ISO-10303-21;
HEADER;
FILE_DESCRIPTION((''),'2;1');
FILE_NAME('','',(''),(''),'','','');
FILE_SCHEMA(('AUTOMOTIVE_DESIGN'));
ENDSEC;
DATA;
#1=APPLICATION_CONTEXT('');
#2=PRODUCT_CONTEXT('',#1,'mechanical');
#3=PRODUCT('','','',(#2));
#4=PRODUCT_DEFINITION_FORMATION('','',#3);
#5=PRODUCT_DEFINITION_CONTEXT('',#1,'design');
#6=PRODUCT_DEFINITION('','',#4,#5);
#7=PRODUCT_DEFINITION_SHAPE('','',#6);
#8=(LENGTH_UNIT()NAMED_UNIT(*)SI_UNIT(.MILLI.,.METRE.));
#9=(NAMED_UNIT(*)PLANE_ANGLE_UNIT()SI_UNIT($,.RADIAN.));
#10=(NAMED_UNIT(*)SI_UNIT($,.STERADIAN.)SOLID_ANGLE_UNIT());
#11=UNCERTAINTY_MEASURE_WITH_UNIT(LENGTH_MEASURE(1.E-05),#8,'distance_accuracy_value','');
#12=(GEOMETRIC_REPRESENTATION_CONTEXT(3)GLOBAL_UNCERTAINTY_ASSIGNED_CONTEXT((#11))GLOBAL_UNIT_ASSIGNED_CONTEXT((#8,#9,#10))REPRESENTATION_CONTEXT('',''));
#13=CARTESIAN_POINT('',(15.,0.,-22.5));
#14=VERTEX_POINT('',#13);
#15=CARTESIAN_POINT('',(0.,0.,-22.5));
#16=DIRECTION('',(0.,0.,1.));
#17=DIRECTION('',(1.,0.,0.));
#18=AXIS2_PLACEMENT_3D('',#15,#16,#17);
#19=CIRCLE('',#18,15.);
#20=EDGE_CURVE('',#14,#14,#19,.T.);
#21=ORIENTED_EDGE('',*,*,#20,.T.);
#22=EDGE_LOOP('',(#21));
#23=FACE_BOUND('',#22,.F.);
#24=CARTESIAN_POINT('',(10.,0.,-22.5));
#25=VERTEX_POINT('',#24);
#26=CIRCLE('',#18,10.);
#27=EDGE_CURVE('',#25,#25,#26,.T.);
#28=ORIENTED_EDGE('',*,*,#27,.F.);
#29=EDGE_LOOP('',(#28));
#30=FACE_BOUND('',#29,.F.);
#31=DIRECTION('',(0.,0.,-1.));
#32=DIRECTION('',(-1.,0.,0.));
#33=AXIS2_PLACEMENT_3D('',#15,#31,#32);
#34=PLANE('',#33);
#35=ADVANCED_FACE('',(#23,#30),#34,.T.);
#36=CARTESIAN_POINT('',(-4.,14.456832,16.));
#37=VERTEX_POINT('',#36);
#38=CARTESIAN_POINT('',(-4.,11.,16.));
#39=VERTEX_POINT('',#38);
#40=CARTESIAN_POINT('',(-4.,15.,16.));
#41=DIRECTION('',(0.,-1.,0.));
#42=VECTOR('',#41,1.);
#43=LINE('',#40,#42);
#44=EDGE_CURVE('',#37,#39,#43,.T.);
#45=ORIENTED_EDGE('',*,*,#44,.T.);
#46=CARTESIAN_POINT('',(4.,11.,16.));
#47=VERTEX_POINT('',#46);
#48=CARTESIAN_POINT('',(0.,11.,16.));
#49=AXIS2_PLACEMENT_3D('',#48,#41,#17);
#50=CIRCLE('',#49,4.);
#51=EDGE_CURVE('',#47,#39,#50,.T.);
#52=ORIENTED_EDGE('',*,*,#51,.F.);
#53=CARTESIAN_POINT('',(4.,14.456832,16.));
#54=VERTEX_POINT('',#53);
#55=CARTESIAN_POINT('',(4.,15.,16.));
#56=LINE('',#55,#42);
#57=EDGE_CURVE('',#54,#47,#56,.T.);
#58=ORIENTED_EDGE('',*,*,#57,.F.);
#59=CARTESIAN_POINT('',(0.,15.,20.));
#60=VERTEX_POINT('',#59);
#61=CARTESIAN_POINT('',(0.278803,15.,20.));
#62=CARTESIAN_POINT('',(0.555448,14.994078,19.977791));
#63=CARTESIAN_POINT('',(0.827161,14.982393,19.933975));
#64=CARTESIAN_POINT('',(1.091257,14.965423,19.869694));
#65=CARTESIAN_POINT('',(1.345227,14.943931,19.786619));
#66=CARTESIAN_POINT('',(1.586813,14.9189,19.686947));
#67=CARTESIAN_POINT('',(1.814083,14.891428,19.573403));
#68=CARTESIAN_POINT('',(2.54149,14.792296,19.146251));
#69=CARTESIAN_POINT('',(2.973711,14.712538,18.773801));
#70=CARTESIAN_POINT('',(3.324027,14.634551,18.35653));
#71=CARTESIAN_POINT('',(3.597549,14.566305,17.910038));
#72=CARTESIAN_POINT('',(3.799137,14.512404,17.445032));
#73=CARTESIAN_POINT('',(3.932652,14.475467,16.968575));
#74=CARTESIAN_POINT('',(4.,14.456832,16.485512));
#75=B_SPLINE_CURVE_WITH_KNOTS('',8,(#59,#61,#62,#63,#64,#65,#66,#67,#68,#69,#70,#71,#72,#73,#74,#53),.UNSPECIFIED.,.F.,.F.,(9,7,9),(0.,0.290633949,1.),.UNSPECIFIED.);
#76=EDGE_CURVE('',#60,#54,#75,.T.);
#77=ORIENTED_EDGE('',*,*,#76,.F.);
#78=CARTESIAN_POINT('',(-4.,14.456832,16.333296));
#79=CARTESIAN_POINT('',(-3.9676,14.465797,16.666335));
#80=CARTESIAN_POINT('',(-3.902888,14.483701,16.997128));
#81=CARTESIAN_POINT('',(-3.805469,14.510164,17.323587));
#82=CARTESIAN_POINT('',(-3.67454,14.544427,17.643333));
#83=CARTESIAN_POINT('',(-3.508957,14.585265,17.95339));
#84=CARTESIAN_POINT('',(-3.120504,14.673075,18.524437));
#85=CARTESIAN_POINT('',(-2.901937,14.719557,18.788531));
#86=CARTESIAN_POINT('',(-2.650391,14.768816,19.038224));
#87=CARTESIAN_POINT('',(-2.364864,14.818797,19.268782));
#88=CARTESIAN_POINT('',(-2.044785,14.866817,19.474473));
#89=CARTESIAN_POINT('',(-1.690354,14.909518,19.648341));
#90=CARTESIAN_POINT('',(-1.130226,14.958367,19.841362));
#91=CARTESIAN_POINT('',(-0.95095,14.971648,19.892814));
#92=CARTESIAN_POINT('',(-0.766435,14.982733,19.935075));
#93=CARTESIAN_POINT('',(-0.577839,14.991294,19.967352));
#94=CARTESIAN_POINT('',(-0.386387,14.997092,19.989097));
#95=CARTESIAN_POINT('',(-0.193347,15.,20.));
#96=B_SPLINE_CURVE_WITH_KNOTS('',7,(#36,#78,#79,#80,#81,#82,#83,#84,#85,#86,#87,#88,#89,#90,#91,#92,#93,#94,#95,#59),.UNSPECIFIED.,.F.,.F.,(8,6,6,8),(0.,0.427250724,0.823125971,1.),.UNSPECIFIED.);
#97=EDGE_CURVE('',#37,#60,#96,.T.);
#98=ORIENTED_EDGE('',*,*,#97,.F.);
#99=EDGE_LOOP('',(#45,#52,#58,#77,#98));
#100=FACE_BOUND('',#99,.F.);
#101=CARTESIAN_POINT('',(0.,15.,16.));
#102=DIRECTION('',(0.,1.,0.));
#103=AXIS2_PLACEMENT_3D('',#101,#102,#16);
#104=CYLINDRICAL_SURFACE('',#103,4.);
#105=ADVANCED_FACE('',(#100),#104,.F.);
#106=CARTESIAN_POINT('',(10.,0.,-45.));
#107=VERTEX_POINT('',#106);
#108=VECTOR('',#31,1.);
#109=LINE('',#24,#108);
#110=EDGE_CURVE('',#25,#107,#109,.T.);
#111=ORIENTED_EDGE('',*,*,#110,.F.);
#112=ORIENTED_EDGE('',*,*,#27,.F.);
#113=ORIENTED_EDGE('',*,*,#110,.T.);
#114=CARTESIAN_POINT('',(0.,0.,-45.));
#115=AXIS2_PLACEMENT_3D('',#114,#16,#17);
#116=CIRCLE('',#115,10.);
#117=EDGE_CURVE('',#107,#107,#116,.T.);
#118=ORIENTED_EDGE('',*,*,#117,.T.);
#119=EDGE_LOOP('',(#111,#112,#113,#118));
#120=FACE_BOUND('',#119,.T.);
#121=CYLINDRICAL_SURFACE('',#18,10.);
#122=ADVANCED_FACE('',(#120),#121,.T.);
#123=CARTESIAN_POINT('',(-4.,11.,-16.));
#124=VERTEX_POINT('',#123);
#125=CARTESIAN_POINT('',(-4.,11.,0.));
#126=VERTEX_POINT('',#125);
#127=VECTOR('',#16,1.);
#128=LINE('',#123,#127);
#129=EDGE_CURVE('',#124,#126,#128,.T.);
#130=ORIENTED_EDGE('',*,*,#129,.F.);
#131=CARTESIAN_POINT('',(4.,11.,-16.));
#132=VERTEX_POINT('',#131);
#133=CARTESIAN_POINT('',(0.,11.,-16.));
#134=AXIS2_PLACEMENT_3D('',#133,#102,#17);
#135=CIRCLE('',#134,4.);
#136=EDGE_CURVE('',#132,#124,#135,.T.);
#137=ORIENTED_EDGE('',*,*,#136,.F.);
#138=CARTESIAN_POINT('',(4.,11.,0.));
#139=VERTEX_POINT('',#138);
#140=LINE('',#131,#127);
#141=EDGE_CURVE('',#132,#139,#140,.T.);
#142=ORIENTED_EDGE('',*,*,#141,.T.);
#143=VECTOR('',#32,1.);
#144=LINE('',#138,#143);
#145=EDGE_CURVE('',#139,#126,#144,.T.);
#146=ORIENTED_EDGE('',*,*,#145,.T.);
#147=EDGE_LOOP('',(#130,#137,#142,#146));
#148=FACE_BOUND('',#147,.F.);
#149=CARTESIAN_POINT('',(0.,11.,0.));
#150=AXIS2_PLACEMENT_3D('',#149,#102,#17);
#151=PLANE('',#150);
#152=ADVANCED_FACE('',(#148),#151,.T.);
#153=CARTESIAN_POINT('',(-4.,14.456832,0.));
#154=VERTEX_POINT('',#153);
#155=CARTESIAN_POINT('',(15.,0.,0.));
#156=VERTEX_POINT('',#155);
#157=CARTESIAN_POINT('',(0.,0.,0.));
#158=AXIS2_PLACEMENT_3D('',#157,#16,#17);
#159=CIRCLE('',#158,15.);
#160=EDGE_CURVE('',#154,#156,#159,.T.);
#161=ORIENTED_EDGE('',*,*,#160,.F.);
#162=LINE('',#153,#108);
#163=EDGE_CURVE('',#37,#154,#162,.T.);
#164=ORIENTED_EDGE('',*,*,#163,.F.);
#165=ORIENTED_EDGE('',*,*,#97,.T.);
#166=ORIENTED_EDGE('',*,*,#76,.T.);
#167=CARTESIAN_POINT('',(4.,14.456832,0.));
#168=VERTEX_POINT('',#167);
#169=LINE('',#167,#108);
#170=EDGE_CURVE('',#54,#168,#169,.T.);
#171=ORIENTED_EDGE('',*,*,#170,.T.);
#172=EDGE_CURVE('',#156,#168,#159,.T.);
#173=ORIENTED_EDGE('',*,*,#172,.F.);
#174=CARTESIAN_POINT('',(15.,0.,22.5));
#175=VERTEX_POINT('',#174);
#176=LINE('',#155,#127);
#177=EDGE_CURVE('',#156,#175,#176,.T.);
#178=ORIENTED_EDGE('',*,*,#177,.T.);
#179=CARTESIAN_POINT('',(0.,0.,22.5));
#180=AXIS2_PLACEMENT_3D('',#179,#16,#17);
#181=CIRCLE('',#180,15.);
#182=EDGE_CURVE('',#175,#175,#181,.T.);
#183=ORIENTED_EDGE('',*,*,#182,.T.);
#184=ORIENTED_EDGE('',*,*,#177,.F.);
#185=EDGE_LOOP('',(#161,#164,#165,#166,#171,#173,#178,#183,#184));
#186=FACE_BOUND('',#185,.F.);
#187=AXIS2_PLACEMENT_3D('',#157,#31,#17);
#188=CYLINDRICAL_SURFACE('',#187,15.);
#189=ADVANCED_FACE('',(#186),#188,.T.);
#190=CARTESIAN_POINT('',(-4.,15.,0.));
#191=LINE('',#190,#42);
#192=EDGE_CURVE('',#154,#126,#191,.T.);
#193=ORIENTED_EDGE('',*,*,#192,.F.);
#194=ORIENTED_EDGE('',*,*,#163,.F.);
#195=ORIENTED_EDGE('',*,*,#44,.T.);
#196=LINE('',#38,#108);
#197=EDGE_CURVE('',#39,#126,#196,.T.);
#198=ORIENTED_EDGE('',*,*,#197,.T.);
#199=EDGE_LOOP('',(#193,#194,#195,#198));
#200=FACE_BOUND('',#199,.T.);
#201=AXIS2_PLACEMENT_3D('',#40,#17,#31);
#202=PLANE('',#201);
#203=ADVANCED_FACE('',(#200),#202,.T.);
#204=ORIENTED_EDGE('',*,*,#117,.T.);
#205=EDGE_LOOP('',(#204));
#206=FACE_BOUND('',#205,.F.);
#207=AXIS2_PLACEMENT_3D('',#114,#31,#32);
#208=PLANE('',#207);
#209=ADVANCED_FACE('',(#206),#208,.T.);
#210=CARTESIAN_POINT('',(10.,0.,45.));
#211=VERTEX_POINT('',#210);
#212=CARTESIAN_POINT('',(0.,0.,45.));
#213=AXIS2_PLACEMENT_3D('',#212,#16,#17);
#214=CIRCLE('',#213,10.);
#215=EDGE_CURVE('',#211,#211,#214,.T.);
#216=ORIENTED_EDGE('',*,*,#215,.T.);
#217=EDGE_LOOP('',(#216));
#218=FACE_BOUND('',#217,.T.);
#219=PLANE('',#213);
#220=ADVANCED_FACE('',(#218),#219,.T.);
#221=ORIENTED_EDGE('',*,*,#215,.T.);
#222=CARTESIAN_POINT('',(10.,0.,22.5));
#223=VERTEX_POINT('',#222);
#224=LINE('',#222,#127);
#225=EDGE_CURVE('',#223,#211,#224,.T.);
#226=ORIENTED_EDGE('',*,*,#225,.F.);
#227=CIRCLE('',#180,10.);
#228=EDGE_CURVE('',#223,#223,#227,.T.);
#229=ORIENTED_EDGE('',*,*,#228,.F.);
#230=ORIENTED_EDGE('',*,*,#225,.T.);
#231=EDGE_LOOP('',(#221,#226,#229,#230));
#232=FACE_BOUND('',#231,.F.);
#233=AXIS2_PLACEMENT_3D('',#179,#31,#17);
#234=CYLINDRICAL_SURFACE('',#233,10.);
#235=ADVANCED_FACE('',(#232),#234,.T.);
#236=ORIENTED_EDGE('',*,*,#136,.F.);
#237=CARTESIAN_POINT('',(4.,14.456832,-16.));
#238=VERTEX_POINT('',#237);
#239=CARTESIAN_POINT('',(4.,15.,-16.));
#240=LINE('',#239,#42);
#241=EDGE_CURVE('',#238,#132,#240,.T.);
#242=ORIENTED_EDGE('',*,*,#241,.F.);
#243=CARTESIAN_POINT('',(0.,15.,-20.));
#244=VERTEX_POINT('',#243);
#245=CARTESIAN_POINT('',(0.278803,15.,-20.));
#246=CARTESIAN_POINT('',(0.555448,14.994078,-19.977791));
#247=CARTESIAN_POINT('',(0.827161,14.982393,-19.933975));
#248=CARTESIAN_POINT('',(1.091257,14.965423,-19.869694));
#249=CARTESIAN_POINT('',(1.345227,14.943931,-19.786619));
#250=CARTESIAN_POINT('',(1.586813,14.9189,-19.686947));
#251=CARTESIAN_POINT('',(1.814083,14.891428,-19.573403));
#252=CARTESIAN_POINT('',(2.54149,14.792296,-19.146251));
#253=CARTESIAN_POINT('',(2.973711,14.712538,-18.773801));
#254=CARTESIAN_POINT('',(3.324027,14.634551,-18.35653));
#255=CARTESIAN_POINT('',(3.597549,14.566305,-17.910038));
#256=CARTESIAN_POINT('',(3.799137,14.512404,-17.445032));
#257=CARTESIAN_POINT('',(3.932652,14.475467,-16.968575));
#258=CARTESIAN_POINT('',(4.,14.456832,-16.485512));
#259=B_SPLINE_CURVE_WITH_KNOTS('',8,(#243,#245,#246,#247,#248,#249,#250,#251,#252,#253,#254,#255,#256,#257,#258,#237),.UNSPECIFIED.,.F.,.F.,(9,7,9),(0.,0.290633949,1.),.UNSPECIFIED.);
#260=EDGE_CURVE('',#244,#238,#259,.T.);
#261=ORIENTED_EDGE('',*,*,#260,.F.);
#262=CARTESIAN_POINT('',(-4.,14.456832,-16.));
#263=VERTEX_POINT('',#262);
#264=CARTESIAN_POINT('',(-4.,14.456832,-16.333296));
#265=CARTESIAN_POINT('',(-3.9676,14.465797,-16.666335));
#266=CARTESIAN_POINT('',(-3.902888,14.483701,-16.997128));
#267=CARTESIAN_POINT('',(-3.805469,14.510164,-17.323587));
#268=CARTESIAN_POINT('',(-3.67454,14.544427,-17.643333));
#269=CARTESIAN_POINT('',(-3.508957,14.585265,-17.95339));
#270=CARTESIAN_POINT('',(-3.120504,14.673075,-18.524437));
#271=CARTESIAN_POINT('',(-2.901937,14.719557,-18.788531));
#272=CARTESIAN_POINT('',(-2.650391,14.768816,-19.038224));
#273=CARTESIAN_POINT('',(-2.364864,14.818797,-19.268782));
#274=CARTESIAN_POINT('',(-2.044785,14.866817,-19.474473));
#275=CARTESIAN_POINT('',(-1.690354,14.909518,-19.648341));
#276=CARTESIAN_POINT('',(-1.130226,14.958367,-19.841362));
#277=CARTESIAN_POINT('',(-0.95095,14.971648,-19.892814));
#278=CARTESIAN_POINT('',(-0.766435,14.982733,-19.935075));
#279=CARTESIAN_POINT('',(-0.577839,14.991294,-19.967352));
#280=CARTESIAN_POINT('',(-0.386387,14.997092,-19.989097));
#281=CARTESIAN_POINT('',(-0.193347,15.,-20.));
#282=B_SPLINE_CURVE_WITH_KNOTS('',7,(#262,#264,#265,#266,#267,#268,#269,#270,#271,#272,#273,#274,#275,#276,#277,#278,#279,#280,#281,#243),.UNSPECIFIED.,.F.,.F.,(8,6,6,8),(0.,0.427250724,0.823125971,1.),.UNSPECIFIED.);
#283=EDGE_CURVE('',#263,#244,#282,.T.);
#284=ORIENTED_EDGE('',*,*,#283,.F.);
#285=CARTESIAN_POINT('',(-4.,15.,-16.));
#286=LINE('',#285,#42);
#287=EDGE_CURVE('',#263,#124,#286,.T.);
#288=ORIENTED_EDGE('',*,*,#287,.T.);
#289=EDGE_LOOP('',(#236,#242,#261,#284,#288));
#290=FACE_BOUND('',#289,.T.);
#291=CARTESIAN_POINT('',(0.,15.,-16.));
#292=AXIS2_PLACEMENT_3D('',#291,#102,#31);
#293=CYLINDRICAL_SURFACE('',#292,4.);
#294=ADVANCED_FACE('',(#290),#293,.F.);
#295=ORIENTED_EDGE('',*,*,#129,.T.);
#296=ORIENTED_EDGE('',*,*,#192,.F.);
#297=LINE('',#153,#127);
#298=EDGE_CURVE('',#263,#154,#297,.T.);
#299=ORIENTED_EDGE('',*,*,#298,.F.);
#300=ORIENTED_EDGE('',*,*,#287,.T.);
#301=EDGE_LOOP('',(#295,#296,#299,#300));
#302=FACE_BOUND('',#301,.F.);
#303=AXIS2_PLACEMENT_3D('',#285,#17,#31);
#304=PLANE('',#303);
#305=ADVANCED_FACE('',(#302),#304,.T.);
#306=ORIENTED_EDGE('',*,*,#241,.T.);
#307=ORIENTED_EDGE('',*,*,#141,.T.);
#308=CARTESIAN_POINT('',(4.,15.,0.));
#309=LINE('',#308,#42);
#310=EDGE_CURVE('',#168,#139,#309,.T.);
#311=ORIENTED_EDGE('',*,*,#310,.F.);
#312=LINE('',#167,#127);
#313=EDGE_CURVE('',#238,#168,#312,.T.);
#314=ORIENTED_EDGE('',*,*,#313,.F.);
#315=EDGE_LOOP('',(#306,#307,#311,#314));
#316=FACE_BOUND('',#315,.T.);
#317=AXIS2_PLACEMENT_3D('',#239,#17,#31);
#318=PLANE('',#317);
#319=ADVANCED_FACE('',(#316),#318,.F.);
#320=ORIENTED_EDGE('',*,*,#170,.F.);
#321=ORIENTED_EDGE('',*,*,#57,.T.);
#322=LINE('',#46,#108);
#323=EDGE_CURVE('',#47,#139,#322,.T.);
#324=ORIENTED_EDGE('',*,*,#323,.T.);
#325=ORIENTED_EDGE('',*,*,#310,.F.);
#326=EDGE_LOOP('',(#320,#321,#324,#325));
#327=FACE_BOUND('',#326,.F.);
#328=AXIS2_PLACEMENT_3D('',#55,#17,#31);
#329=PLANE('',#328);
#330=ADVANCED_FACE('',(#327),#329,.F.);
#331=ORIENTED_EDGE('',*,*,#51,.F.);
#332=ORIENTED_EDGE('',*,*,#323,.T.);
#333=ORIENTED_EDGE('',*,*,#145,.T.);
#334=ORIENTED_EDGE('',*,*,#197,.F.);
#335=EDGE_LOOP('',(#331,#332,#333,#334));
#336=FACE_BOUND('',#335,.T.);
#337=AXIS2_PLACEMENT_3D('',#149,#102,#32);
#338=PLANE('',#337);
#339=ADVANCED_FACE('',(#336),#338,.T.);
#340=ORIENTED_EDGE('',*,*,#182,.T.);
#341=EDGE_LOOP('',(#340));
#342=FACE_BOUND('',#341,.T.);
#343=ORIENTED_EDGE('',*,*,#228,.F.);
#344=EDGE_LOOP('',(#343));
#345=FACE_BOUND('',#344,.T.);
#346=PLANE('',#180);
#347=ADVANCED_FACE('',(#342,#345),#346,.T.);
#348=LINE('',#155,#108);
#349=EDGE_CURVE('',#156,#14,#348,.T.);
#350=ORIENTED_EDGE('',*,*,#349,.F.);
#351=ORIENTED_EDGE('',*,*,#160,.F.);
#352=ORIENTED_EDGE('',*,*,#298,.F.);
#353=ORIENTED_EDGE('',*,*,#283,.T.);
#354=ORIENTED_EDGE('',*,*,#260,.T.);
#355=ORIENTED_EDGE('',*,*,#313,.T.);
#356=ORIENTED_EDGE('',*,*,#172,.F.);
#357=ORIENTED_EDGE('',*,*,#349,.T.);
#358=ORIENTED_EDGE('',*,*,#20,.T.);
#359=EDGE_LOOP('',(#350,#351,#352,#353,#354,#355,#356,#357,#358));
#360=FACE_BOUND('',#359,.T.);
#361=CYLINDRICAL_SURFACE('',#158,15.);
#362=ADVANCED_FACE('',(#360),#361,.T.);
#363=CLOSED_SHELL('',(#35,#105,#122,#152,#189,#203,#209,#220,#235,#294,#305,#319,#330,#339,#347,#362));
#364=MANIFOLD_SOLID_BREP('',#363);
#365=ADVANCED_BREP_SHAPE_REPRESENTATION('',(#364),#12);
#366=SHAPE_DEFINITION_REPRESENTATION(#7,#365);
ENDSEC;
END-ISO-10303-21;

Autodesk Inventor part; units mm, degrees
sketch "スケッチ1" plane through (0, 0, 0) normal (0, 0, 1) x (1, 0, 0)
  circle A0 centre (0, 0) radius 15
  dimension "d0" = 30
extrude "押し出し1" add sketch "スケッチ1" along normal blind 22.5
sketch "スケッチ2" plane through (0, 0, 22.5) normal (0, 0, 1) x (1, 0, 0)
  circle A0 centre (0, 0) radius 10
  dimension "d3" = 20
extrude "押し出し2" add sketch "スケッチ2" along normal blind 22.5
ref_plane "作業平面1" through (0, 15, 0) normal (0, 1, 0) x (-1, 0, 0)
sketch "スケッチ3" plane through (0, 15, 0) normal (0, 1, 0) x (-1, 0, 0)
  line L0 (0, 0) -> (0, 20)
  line L1 (0, 20) -> (0, 16)
  arc A0 (4, 16) -> (0, 20) centre (0, 16) ccw
  arc A1 (0, 20) -> (-4, 16) centre (0, 16) ccw
  line L2 (4, 16) -> (4, 0)
  line L3 (-4, 16) -> (-4, 0)
  line L4 (4, 0) -> (-4, 0)
  dimension "d7" = 20
  dimension "d8" = 4
extrude "押し出し3" cut sketch "スケッチ3" against normal blind 4
mirror "ミラー1" about plane through (0, 0, 0) normal (0, 0, 1) of "押し出し1", "押し出し2", "押し出し3"
properties part number "shaft1"
